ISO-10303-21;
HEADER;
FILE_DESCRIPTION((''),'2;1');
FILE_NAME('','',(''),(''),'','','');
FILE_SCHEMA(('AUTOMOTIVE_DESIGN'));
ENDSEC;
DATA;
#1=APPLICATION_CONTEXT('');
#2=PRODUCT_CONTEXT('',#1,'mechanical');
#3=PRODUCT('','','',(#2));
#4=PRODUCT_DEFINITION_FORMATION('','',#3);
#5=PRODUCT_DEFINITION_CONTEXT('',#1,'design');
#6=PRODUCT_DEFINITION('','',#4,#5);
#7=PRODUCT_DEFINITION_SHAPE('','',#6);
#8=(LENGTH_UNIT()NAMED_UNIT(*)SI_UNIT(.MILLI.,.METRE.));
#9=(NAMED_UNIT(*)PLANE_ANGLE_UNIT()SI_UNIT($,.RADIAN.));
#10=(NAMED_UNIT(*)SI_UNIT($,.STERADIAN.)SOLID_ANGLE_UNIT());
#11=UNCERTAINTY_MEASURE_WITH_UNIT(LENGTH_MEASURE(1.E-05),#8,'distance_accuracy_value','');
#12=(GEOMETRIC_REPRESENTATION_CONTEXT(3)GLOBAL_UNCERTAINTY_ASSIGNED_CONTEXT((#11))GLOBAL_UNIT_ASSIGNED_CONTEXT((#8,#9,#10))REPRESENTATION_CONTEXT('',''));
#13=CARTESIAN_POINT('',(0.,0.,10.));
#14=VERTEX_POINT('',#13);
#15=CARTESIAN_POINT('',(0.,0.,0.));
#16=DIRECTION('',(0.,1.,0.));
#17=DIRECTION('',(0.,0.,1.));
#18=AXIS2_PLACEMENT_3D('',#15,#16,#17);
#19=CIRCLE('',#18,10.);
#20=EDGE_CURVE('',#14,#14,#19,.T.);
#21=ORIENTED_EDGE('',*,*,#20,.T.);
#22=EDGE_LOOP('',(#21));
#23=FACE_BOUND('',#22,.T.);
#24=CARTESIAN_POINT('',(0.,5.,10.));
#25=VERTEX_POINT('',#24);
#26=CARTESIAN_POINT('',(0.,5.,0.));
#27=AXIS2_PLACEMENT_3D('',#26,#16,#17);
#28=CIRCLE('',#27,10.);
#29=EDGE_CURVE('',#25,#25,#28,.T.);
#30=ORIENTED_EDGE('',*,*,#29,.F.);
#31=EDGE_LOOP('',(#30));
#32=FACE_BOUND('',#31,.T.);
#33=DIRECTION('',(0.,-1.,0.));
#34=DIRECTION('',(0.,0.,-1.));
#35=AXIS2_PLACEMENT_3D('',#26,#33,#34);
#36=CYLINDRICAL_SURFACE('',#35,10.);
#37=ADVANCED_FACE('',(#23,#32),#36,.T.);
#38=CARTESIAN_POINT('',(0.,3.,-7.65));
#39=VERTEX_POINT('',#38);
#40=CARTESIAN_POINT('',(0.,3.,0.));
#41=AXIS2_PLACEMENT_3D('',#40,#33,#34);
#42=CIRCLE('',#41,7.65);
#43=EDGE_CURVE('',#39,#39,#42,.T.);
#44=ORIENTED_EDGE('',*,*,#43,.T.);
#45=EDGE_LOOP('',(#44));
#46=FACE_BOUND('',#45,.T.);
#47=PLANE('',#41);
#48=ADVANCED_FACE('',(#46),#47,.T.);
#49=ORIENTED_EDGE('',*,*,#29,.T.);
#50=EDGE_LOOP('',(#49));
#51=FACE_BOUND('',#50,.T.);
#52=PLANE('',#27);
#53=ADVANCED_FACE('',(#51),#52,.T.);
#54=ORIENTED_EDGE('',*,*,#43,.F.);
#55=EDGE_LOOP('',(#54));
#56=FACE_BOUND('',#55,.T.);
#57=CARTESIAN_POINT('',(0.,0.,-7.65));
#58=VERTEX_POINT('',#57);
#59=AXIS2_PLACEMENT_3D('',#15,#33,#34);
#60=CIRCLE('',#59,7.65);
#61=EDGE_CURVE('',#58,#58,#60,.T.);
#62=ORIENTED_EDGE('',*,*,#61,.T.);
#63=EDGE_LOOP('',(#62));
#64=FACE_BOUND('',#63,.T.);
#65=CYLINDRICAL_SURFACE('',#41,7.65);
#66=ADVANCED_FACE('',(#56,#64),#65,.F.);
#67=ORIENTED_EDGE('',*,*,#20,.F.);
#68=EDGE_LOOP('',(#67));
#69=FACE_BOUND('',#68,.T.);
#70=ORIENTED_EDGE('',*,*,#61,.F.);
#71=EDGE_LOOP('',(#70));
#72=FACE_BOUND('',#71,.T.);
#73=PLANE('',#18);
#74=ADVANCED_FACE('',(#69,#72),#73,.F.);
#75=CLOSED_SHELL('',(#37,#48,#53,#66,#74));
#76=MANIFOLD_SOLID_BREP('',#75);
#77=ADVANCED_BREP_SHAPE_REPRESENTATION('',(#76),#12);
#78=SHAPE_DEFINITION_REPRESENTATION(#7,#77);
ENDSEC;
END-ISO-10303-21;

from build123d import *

# Parameters (mm, degrees)
SKETCH1_R           = 10
BOSS_EXTRUDE1_DEPTH = 5
SKETCH2_R           = 7.65
CUT_EXTRUDE1_DEPTH  = 3


with BuildPart() as part:
    # Sketch1 → Boss-Extrude1 (new body)
    with BuildSketch(Plane(origin=(0, 0, 0), x_dir=(1, 0, 0), z_dir=(0, 1, 0))):
        with Locations(Location((0, 0, 0), (0, 0, 270))):
            Circle(SKETCH1_R)
    extrude(amount=BOSS_EXTRUDE1_DEPTH)

    # Sketch2 → Cut-Extrude1 (cut)
    with BuildSketch(Plane.XZ):
        with Locations(Location((0, 0, 0), (0, 0, 270))):
            Circle(SKETCH2_R)
    extrude(amount=-CUT_EXTRUDE1_DEPTH, mode=Mode.SUBTRACT)


solid = part.part
